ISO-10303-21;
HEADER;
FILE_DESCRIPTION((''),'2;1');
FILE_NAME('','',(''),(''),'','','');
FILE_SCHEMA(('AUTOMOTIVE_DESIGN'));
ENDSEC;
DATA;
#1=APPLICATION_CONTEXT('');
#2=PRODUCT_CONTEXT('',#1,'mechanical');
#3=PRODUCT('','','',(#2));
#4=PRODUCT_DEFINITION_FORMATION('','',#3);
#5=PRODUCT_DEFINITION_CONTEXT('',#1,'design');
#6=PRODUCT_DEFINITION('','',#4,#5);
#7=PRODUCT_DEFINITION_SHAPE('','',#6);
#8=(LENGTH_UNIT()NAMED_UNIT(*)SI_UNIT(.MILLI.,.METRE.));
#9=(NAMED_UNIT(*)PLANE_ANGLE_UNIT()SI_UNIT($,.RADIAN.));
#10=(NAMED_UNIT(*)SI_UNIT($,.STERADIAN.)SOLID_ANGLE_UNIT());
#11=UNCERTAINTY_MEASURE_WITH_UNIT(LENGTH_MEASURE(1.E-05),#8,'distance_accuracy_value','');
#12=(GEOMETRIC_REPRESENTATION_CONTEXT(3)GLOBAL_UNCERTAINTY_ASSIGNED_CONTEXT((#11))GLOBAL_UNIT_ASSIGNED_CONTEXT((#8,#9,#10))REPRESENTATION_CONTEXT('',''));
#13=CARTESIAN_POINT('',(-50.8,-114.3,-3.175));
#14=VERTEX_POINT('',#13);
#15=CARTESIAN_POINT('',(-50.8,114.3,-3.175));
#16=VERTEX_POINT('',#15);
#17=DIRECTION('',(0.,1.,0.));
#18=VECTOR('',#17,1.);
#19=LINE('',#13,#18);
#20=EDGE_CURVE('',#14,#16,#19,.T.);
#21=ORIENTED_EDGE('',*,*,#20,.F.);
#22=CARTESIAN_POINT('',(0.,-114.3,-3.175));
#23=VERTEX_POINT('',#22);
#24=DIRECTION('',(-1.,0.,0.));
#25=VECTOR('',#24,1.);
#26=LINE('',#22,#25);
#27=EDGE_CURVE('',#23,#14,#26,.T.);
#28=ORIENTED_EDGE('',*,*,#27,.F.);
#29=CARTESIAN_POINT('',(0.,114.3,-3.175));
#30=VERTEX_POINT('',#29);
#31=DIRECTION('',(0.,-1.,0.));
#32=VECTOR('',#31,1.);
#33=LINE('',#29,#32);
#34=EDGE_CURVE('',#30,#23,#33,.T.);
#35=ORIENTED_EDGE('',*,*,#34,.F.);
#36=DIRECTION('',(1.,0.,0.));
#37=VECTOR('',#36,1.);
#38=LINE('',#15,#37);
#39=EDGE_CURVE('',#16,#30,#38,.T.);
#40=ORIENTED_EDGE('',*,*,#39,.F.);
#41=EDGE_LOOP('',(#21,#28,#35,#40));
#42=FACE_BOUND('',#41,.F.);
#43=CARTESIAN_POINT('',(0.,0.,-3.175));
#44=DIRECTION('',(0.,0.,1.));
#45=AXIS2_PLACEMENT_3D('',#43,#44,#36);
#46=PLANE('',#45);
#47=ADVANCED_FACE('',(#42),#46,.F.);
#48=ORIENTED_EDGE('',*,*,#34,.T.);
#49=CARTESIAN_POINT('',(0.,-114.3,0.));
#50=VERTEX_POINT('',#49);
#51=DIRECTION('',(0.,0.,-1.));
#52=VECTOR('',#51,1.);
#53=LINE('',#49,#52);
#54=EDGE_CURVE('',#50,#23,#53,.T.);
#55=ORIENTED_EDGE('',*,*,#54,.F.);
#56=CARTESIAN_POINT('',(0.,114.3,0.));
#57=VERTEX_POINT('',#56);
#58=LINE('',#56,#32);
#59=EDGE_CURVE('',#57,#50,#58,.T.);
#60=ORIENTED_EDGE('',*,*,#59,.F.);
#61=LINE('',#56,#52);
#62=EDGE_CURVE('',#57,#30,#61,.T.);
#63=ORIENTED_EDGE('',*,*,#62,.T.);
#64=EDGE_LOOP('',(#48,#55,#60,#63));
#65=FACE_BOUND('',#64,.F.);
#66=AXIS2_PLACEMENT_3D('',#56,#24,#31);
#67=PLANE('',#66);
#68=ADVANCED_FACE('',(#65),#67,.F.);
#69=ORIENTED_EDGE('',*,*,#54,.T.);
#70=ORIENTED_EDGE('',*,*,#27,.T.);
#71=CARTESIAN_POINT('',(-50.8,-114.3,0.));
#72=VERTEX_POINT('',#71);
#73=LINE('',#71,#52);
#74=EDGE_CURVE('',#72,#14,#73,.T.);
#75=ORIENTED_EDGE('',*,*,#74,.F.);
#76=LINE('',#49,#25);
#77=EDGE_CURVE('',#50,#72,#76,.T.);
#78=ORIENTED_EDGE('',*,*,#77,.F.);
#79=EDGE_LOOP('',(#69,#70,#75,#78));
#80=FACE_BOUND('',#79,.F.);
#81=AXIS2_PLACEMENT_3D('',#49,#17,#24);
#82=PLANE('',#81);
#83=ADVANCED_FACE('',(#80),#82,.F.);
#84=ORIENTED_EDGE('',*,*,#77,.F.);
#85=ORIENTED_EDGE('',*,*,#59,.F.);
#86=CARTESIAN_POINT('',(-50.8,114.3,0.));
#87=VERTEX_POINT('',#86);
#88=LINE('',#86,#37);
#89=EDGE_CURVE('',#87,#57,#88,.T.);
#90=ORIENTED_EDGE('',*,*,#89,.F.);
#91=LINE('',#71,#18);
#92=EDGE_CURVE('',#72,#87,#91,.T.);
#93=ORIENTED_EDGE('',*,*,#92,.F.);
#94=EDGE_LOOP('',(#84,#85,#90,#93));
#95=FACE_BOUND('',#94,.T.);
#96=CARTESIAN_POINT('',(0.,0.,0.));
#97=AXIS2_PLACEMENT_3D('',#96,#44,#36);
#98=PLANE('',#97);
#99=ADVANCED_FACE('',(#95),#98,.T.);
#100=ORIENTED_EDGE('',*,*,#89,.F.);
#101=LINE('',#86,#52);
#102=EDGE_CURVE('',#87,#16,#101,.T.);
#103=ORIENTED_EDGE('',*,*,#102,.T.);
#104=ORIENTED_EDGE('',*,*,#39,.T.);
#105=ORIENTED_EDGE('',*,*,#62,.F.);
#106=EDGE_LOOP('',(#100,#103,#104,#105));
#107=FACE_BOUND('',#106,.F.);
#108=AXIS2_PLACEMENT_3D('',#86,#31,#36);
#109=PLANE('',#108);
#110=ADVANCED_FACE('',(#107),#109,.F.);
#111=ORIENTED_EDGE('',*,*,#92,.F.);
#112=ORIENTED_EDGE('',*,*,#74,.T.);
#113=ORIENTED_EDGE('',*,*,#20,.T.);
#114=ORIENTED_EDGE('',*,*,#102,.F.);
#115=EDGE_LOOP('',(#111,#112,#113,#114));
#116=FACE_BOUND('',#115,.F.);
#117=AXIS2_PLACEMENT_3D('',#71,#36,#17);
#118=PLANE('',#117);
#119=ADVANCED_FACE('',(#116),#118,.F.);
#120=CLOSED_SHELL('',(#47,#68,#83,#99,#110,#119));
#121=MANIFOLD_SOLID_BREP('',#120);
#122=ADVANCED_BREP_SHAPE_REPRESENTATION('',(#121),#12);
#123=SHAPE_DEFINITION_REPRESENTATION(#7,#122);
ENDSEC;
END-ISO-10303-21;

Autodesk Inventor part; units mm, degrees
ref_plane "YZ Plane" through (0, 0, 0) normal (1, 0, 0) x (0, 1, 0)
ref_plane "XZ Plane" through (0, 0, 0) normal (0, 1, 0) x (-1, 0, 0)
ref_plane "XY Plane" through (0, 0, 0) normal (0, 0, 1) x (1, 0, 0)
sketch "Sketch1" plane through (0, 0, 0) normal (0, 0, 1) x (1, 0, 0)
  line L0 (-50.8, 114.3) -> (0, 114.3)
  line L1 (0, 114.3) -> (0, -114.3)
  line L2 (0, -114.3) -> (-50.8, -114.3)
  line L3 (-50.8, -114.3) -> (-50.8, 114.3)
  point P0 (0, 0)
  dimension "d0" = 50.8
  dimension "d1" = 228.6
  dimension "d2" = 114.3
  dimension "d3" = 50.8
extrude "Extrusion1" add sketch "Sketch1" against normal blind 3.175
properties part number "Aft_Top"
